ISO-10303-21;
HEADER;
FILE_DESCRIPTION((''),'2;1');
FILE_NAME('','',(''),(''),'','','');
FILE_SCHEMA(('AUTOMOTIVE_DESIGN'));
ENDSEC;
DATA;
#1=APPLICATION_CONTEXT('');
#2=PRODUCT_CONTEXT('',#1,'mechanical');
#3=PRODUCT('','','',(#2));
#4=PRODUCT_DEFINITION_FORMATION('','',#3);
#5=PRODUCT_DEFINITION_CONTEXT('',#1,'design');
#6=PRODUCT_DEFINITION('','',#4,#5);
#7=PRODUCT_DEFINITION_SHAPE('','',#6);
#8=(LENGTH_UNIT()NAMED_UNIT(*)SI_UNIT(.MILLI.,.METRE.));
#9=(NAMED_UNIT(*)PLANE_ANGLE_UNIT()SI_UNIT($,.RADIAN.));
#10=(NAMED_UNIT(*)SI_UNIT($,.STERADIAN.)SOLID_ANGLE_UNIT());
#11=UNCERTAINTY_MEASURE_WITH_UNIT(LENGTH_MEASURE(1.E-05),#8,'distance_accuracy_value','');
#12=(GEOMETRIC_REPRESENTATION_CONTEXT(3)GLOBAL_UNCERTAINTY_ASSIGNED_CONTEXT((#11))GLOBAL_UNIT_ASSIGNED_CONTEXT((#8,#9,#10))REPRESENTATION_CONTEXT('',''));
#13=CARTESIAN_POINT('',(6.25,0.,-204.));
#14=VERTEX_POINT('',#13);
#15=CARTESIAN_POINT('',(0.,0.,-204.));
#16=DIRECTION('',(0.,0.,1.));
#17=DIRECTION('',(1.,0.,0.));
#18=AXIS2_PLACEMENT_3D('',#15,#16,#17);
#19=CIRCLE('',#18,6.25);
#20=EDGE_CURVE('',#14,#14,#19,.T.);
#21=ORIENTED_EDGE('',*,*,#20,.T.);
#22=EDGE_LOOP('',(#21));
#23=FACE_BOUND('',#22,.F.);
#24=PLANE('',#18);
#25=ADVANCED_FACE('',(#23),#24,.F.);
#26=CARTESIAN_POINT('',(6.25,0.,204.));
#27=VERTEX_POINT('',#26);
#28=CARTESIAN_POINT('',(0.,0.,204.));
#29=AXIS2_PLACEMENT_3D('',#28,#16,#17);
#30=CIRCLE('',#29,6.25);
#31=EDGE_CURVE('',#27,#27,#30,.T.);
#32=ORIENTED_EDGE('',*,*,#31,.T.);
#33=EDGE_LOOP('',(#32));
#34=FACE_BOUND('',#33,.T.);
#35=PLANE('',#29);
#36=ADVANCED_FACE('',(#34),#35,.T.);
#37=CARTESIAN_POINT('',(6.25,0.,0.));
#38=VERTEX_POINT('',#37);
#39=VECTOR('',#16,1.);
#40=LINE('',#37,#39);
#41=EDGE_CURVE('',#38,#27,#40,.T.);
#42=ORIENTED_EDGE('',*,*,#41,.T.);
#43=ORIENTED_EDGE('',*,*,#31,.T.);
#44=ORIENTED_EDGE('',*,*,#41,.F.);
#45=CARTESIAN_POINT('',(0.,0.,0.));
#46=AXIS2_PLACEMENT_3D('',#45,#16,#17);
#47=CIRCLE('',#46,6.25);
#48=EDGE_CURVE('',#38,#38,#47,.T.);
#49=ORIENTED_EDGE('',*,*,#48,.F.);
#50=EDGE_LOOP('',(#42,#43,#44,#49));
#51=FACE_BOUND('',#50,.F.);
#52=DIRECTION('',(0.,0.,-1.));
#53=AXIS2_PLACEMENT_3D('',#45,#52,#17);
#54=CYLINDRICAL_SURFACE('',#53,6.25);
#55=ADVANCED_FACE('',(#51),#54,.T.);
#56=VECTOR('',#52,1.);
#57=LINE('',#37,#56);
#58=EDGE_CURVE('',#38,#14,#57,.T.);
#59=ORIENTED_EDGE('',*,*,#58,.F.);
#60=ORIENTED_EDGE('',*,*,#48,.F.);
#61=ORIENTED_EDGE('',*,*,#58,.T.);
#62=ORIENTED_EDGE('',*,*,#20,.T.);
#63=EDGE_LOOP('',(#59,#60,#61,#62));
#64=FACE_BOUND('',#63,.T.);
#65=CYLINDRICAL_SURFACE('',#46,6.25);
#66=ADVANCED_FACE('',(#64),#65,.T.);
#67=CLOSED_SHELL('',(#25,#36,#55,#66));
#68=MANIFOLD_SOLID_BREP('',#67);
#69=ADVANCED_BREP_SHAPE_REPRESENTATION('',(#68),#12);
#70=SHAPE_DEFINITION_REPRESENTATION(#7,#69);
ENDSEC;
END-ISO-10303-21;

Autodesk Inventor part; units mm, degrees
ref_plane "YZ Plane" through (0, 0, 0) normal (1, 0, 0) x (0, 1, 0)
ref_plane "XZ Plane" through (0, 0, 0) normal (0, 1, 0) x (-1, 0, 0)
ref_plane "XY Plane" through (0, 0, 0) normal (0, 0, 1) x (1, 0, 0)
sketch "Sketch1" plane through (0, 0, 0) normal (0, 0, 1) x (1, 0, 0)
  circle A0 centre (0, 0) radius 6.25
  dimension "d0" = 12.5
extrude "Extrusion1" add sketch "Sketch1" along normal mid plane 408
ref_plane "Work Plane1" through (0, 0, 200) normal (0, 0, 1) x (1, 0, 0)
equation "\"d1\" = Roller_width"
equation "\"Roller_width\" = 408"
properties part number "ADSK-MH-10023" material "Steel, Mild"
